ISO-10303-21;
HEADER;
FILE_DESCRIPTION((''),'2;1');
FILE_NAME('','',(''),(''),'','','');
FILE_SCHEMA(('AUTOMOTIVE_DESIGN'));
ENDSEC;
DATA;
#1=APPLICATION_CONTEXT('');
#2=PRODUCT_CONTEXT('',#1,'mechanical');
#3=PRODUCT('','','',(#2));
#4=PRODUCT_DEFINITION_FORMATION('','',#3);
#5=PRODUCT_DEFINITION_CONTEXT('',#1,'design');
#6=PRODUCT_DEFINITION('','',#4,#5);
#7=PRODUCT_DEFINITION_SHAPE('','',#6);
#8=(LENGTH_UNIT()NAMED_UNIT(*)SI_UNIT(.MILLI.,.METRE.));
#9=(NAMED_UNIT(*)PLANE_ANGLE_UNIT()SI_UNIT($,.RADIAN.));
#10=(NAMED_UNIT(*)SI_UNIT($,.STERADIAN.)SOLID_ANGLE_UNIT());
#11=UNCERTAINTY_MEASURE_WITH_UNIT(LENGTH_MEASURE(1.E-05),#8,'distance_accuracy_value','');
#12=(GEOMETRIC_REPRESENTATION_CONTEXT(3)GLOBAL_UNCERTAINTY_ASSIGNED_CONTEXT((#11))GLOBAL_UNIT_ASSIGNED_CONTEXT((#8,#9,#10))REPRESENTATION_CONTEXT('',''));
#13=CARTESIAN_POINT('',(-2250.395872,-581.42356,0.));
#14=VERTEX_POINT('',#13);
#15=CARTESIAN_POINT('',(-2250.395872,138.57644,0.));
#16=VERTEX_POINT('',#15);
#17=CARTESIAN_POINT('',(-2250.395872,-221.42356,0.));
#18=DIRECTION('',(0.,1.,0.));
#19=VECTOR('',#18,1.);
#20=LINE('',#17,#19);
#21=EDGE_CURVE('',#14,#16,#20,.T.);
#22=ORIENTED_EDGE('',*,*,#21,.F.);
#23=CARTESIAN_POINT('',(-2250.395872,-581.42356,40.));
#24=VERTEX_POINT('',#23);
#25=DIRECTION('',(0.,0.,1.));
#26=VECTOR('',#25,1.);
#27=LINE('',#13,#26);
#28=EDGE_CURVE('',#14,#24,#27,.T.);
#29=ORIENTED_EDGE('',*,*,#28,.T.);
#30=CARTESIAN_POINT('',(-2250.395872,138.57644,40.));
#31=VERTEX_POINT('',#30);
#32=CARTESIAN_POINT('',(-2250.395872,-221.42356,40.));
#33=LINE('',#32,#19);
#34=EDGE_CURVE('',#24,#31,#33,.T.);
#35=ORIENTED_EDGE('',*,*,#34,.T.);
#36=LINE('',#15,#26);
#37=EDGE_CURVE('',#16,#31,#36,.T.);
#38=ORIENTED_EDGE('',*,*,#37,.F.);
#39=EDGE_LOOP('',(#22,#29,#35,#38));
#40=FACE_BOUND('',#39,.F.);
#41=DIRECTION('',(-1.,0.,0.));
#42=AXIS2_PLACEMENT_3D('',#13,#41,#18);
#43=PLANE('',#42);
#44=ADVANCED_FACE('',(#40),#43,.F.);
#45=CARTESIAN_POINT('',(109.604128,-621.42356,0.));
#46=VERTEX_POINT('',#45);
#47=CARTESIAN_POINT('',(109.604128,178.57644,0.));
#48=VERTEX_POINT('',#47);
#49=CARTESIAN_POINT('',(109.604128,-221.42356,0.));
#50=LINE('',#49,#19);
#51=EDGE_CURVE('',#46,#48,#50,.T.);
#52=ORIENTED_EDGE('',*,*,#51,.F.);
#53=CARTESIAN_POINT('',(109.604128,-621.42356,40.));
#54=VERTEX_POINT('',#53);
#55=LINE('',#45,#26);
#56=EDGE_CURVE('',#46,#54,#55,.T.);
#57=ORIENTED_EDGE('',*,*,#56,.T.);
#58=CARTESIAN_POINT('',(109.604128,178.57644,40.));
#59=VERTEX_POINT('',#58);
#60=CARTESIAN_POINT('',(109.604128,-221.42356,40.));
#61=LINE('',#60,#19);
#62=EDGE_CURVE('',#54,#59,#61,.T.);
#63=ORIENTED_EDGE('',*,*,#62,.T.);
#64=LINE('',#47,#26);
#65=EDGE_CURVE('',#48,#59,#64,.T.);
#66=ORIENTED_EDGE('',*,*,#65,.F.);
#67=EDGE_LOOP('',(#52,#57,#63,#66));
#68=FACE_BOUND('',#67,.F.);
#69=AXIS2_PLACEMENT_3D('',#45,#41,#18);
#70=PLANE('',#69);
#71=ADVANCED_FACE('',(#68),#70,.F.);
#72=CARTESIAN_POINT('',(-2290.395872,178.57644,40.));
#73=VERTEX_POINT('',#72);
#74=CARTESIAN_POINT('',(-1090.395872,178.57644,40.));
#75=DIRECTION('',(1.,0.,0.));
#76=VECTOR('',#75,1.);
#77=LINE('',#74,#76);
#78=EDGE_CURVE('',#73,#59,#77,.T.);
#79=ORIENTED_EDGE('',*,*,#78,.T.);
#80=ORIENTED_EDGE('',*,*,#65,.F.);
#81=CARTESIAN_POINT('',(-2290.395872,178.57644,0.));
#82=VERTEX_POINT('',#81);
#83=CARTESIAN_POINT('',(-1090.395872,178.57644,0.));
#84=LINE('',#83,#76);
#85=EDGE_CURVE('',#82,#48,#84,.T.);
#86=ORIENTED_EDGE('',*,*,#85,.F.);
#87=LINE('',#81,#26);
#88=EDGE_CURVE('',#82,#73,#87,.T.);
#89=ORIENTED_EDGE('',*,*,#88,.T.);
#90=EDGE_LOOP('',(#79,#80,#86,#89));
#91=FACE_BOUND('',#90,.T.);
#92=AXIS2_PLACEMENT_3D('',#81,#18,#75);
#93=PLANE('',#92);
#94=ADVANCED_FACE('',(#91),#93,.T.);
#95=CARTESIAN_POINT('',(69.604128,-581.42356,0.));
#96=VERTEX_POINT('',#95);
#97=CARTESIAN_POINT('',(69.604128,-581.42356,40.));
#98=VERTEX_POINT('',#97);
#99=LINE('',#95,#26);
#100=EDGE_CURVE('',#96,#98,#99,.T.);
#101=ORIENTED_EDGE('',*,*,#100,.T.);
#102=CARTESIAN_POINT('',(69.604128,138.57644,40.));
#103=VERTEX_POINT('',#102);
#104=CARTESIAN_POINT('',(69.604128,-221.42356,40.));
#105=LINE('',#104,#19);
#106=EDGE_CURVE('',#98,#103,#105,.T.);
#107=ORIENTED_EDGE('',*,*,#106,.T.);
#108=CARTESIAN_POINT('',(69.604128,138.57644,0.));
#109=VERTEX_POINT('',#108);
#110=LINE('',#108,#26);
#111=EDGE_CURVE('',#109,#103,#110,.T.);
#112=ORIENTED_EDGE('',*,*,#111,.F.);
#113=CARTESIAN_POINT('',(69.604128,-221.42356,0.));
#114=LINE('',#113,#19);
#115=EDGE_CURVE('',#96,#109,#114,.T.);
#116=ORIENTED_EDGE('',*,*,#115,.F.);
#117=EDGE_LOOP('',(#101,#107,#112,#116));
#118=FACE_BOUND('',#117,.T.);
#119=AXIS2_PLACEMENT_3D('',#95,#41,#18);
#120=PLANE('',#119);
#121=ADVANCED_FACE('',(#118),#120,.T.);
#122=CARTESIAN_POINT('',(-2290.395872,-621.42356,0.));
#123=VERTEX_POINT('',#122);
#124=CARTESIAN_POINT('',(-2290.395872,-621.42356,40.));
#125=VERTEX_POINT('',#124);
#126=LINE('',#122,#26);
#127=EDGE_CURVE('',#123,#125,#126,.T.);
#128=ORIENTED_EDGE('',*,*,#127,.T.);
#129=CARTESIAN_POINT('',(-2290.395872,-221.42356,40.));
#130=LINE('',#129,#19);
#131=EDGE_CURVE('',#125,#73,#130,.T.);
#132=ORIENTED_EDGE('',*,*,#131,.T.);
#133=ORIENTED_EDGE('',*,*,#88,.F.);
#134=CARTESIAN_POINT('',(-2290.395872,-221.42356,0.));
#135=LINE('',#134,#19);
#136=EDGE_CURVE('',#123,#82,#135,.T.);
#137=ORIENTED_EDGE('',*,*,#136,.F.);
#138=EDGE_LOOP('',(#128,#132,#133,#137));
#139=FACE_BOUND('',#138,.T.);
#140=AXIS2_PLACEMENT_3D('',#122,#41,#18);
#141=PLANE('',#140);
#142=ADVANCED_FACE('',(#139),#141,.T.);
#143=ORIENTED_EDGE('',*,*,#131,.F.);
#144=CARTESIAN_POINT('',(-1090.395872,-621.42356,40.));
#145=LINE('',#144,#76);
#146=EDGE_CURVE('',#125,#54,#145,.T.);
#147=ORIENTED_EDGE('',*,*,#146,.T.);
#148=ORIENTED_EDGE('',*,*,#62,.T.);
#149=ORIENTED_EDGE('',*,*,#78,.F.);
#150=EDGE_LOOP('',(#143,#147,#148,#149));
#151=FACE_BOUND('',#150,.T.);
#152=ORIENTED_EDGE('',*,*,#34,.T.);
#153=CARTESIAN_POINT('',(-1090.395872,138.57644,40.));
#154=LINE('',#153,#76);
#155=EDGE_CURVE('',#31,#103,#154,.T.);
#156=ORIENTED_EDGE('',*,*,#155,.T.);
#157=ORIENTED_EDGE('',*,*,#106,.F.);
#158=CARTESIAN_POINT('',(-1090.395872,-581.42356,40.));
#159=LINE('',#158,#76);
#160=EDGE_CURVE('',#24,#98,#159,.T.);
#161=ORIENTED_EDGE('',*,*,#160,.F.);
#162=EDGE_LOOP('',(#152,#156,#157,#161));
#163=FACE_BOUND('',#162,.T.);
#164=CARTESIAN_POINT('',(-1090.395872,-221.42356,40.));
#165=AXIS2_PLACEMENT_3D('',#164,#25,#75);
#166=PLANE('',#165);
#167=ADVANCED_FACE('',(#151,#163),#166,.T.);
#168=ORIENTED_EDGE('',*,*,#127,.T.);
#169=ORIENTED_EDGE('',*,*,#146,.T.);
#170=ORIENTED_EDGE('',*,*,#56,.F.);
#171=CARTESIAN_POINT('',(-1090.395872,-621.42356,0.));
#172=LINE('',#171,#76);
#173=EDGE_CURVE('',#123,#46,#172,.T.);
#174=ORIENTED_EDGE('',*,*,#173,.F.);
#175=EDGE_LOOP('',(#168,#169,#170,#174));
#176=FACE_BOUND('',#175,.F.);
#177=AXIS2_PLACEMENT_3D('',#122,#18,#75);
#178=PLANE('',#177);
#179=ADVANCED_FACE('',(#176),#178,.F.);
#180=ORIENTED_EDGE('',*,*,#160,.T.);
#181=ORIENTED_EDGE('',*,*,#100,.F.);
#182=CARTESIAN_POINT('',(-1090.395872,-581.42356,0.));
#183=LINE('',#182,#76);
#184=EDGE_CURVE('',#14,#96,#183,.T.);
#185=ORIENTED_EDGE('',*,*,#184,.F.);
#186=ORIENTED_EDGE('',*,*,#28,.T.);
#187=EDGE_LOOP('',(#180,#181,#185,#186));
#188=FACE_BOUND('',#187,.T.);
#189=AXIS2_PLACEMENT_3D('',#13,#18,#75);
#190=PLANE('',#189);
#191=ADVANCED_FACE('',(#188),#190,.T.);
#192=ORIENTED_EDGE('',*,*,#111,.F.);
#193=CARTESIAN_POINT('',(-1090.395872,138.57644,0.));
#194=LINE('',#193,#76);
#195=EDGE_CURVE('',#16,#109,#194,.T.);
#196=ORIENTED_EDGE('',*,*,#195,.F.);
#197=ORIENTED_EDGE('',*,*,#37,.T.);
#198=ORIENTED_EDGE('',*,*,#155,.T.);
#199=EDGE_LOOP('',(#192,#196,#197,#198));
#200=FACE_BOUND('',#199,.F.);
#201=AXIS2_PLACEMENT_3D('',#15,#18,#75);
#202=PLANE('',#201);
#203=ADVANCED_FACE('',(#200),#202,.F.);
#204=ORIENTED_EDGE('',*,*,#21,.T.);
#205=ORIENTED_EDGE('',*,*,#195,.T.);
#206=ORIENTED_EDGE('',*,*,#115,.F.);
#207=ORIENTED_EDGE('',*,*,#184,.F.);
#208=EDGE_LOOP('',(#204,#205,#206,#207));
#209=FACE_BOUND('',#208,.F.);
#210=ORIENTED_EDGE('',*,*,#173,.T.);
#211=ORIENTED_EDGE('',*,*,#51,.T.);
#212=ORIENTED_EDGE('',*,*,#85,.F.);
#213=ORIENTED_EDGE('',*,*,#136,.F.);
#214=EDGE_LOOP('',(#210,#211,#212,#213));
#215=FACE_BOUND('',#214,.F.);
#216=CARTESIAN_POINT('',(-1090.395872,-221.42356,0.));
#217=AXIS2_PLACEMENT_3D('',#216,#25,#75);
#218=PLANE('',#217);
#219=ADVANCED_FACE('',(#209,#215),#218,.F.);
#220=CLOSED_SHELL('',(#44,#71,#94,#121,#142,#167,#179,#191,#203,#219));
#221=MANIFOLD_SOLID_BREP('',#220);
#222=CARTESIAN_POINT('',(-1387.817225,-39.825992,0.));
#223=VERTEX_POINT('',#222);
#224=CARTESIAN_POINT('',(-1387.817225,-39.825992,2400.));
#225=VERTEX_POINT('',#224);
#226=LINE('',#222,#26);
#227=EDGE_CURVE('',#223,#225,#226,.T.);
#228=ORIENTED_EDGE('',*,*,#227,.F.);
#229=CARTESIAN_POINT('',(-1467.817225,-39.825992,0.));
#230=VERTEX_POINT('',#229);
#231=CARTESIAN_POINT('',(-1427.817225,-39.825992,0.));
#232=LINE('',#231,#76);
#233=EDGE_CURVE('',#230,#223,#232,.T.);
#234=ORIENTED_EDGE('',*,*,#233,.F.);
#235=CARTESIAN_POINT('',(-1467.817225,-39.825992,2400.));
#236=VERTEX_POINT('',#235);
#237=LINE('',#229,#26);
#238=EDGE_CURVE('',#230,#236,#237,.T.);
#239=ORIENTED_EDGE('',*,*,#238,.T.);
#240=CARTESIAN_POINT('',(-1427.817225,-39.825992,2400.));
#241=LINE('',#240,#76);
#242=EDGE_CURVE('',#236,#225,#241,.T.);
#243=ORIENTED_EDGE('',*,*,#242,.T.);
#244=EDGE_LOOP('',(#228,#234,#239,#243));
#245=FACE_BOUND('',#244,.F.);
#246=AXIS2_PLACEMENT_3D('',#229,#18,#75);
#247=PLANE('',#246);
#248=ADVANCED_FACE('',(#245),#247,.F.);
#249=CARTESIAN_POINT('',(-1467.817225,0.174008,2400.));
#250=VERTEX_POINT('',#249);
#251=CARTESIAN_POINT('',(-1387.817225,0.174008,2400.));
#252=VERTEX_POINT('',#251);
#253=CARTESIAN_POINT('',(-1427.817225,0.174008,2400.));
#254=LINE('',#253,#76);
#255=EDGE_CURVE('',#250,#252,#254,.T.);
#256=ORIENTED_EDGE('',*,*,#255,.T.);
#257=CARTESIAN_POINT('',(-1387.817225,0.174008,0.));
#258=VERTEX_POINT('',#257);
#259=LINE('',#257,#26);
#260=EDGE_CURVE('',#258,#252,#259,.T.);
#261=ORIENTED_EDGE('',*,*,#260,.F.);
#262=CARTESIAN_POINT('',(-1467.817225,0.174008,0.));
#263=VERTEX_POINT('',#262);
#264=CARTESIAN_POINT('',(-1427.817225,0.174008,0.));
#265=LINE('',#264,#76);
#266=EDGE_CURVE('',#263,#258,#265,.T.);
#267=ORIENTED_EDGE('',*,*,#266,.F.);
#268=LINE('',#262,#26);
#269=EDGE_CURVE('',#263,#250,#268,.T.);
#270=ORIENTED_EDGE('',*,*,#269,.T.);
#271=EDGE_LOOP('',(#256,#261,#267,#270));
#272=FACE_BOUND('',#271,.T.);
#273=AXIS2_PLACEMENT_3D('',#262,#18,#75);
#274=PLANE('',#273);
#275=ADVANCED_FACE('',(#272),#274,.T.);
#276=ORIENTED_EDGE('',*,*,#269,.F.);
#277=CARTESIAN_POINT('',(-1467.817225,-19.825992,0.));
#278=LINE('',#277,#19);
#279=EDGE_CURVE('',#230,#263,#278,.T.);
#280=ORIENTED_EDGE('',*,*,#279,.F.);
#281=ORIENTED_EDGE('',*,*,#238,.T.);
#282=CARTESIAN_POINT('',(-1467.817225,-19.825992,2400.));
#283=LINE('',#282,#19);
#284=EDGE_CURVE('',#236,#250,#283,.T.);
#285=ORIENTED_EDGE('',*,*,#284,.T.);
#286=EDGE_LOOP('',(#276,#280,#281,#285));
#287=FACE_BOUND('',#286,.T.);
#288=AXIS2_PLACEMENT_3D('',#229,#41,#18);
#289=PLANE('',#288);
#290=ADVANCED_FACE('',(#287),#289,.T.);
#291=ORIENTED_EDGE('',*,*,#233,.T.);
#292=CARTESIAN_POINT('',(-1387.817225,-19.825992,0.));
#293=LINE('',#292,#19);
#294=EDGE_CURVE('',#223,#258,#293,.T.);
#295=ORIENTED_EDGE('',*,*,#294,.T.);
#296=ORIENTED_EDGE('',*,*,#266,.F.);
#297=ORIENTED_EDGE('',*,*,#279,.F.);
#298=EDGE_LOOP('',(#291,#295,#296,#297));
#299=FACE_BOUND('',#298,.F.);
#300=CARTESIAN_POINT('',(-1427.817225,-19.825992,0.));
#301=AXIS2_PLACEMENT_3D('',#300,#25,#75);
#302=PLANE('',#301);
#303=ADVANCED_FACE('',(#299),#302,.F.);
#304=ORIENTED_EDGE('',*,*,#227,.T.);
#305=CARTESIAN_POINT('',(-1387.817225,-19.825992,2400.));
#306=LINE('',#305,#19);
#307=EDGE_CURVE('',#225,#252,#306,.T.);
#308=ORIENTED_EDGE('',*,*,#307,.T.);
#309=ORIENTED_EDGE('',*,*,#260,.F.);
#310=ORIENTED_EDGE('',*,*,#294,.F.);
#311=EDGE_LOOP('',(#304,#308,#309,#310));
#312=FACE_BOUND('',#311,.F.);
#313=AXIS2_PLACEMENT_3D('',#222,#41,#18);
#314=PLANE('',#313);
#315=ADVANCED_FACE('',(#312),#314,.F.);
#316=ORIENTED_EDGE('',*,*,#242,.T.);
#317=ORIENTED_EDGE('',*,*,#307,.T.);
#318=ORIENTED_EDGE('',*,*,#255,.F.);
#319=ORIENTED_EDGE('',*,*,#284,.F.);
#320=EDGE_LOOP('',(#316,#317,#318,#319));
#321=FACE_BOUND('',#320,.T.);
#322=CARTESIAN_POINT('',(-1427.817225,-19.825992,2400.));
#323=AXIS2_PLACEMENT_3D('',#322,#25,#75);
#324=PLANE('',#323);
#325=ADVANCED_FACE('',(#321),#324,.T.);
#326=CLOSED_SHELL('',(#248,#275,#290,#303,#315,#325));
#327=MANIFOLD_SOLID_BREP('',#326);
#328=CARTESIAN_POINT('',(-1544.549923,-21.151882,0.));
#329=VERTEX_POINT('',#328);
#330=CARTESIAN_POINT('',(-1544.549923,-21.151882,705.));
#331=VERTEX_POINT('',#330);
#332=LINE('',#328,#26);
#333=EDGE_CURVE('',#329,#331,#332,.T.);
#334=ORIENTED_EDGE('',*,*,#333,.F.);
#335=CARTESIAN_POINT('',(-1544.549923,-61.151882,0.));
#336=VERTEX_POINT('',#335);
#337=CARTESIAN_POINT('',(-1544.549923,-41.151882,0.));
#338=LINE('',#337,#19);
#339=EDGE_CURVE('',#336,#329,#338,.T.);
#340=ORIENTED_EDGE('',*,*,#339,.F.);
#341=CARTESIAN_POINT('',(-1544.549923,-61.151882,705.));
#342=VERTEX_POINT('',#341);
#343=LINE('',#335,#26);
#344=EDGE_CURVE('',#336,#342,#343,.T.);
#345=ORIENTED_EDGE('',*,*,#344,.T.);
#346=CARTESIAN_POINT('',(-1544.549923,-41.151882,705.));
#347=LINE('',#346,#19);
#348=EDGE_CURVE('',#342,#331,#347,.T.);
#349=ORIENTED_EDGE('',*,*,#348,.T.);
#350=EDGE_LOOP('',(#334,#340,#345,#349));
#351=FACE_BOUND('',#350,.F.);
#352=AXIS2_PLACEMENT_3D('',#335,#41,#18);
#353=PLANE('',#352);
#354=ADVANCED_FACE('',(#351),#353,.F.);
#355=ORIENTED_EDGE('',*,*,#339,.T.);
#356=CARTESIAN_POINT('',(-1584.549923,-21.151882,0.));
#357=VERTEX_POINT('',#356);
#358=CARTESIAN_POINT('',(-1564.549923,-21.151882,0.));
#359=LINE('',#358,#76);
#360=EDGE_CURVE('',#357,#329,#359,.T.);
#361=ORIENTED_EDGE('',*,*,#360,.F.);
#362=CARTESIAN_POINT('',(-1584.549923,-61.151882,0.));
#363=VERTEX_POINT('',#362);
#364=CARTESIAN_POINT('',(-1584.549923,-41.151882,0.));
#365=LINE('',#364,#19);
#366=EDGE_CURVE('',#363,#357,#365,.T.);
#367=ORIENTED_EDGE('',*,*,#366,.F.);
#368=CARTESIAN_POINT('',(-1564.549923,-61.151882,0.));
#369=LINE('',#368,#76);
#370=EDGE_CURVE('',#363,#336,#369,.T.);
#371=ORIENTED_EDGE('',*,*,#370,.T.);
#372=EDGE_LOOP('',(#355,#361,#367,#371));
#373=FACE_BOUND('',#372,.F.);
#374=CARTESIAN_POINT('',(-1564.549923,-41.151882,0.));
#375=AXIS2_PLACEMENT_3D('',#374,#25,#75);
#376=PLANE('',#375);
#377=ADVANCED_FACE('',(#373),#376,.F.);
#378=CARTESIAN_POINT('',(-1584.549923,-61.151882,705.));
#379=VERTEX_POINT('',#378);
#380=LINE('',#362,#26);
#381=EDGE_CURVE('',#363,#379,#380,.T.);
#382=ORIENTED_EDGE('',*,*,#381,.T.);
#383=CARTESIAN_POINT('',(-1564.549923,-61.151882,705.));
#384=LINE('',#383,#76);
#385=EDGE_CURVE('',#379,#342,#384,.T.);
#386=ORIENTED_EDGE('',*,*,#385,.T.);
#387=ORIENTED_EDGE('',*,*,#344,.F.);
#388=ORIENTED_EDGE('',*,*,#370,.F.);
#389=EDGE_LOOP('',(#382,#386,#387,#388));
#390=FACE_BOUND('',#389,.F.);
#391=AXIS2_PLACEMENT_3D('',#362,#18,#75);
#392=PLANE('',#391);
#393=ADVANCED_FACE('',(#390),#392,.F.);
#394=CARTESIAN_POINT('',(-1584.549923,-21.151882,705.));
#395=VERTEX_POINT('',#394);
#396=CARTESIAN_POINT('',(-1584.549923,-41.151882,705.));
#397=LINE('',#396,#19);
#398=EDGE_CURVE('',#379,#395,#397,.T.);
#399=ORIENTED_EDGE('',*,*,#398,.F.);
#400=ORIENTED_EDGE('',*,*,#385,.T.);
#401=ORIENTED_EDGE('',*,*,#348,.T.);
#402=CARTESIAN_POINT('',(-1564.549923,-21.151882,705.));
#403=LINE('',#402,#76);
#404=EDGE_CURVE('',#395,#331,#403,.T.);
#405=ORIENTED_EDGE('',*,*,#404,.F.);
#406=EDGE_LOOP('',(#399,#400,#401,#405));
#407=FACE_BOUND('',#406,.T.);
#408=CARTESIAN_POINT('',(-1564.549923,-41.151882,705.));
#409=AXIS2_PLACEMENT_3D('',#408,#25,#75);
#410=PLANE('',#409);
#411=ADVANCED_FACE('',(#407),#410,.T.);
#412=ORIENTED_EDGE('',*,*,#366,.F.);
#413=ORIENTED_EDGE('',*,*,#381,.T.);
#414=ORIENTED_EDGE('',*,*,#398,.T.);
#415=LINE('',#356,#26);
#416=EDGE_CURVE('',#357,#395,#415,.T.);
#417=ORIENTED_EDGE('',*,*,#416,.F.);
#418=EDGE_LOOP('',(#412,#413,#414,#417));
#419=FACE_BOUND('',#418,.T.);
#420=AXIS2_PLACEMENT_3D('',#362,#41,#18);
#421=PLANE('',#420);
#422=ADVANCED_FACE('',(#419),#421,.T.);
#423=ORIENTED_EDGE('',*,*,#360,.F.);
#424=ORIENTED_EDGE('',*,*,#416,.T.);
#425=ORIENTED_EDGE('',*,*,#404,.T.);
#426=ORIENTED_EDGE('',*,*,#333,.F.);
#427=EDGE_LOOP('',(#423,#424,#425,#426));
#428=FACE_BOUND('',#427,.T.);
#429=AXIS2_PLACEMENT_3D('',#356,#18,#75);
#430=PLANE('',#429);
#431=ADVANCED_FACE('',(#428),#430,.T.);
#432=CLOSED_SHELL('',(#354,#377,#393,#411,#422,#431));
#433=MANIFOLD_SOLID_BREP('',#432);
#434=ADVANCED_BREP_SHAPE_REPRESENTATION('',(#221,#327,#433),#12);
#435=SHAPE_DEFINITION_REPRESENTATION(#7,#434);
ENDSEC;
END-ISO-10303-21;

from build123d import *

# Parameters (mm, degrees)
F0_W     = 2400
F0_H     = 800
F0_W_2   = 2320
F0_H_2   = 720
F1_DEPTH = 40
F2_W     = 40
F2_H     = 40
F3_DEPTH = 705
F4_W     = 80
F4_H     = 40
F5_DEPTH = 2400


with BuildPart() as f1:
    # F0 (on Top) → F1 (new body)
    with BuildSketch(Plane.XY):
        with Locations((-1090.395872, -221.42356)):
            Rectangle(F0_W, F0_H)
        with Locations((-1090.395872, -221.42356)):
            Rectangle(F0_W_2, F0_H_2, mode=Mode.SUBTRACT)
    extrude(amount=F1_DEPTH)


with BuildPart() as f3:
    # F2 (on Top) → F3 (new body)
    with BuildSketch(Plane.XY):
        with Locations((-1564.549923, -41.151882)):
            Rectangle(F2_W, F2_H)
    extrude(amount=F3_DEPTH)


with BuildPart() as f5:
    # F4 (on Top) → F5 (new body)
    with BuildSketch(Plane.XY):
        with Locations((-1427.817225, -19.825992)):
            Rectangle(F4_W, F4_H)
    extrude(amount=F5_DEPTH)


solid = Compound([f1.part, f3.part, f5.part])
